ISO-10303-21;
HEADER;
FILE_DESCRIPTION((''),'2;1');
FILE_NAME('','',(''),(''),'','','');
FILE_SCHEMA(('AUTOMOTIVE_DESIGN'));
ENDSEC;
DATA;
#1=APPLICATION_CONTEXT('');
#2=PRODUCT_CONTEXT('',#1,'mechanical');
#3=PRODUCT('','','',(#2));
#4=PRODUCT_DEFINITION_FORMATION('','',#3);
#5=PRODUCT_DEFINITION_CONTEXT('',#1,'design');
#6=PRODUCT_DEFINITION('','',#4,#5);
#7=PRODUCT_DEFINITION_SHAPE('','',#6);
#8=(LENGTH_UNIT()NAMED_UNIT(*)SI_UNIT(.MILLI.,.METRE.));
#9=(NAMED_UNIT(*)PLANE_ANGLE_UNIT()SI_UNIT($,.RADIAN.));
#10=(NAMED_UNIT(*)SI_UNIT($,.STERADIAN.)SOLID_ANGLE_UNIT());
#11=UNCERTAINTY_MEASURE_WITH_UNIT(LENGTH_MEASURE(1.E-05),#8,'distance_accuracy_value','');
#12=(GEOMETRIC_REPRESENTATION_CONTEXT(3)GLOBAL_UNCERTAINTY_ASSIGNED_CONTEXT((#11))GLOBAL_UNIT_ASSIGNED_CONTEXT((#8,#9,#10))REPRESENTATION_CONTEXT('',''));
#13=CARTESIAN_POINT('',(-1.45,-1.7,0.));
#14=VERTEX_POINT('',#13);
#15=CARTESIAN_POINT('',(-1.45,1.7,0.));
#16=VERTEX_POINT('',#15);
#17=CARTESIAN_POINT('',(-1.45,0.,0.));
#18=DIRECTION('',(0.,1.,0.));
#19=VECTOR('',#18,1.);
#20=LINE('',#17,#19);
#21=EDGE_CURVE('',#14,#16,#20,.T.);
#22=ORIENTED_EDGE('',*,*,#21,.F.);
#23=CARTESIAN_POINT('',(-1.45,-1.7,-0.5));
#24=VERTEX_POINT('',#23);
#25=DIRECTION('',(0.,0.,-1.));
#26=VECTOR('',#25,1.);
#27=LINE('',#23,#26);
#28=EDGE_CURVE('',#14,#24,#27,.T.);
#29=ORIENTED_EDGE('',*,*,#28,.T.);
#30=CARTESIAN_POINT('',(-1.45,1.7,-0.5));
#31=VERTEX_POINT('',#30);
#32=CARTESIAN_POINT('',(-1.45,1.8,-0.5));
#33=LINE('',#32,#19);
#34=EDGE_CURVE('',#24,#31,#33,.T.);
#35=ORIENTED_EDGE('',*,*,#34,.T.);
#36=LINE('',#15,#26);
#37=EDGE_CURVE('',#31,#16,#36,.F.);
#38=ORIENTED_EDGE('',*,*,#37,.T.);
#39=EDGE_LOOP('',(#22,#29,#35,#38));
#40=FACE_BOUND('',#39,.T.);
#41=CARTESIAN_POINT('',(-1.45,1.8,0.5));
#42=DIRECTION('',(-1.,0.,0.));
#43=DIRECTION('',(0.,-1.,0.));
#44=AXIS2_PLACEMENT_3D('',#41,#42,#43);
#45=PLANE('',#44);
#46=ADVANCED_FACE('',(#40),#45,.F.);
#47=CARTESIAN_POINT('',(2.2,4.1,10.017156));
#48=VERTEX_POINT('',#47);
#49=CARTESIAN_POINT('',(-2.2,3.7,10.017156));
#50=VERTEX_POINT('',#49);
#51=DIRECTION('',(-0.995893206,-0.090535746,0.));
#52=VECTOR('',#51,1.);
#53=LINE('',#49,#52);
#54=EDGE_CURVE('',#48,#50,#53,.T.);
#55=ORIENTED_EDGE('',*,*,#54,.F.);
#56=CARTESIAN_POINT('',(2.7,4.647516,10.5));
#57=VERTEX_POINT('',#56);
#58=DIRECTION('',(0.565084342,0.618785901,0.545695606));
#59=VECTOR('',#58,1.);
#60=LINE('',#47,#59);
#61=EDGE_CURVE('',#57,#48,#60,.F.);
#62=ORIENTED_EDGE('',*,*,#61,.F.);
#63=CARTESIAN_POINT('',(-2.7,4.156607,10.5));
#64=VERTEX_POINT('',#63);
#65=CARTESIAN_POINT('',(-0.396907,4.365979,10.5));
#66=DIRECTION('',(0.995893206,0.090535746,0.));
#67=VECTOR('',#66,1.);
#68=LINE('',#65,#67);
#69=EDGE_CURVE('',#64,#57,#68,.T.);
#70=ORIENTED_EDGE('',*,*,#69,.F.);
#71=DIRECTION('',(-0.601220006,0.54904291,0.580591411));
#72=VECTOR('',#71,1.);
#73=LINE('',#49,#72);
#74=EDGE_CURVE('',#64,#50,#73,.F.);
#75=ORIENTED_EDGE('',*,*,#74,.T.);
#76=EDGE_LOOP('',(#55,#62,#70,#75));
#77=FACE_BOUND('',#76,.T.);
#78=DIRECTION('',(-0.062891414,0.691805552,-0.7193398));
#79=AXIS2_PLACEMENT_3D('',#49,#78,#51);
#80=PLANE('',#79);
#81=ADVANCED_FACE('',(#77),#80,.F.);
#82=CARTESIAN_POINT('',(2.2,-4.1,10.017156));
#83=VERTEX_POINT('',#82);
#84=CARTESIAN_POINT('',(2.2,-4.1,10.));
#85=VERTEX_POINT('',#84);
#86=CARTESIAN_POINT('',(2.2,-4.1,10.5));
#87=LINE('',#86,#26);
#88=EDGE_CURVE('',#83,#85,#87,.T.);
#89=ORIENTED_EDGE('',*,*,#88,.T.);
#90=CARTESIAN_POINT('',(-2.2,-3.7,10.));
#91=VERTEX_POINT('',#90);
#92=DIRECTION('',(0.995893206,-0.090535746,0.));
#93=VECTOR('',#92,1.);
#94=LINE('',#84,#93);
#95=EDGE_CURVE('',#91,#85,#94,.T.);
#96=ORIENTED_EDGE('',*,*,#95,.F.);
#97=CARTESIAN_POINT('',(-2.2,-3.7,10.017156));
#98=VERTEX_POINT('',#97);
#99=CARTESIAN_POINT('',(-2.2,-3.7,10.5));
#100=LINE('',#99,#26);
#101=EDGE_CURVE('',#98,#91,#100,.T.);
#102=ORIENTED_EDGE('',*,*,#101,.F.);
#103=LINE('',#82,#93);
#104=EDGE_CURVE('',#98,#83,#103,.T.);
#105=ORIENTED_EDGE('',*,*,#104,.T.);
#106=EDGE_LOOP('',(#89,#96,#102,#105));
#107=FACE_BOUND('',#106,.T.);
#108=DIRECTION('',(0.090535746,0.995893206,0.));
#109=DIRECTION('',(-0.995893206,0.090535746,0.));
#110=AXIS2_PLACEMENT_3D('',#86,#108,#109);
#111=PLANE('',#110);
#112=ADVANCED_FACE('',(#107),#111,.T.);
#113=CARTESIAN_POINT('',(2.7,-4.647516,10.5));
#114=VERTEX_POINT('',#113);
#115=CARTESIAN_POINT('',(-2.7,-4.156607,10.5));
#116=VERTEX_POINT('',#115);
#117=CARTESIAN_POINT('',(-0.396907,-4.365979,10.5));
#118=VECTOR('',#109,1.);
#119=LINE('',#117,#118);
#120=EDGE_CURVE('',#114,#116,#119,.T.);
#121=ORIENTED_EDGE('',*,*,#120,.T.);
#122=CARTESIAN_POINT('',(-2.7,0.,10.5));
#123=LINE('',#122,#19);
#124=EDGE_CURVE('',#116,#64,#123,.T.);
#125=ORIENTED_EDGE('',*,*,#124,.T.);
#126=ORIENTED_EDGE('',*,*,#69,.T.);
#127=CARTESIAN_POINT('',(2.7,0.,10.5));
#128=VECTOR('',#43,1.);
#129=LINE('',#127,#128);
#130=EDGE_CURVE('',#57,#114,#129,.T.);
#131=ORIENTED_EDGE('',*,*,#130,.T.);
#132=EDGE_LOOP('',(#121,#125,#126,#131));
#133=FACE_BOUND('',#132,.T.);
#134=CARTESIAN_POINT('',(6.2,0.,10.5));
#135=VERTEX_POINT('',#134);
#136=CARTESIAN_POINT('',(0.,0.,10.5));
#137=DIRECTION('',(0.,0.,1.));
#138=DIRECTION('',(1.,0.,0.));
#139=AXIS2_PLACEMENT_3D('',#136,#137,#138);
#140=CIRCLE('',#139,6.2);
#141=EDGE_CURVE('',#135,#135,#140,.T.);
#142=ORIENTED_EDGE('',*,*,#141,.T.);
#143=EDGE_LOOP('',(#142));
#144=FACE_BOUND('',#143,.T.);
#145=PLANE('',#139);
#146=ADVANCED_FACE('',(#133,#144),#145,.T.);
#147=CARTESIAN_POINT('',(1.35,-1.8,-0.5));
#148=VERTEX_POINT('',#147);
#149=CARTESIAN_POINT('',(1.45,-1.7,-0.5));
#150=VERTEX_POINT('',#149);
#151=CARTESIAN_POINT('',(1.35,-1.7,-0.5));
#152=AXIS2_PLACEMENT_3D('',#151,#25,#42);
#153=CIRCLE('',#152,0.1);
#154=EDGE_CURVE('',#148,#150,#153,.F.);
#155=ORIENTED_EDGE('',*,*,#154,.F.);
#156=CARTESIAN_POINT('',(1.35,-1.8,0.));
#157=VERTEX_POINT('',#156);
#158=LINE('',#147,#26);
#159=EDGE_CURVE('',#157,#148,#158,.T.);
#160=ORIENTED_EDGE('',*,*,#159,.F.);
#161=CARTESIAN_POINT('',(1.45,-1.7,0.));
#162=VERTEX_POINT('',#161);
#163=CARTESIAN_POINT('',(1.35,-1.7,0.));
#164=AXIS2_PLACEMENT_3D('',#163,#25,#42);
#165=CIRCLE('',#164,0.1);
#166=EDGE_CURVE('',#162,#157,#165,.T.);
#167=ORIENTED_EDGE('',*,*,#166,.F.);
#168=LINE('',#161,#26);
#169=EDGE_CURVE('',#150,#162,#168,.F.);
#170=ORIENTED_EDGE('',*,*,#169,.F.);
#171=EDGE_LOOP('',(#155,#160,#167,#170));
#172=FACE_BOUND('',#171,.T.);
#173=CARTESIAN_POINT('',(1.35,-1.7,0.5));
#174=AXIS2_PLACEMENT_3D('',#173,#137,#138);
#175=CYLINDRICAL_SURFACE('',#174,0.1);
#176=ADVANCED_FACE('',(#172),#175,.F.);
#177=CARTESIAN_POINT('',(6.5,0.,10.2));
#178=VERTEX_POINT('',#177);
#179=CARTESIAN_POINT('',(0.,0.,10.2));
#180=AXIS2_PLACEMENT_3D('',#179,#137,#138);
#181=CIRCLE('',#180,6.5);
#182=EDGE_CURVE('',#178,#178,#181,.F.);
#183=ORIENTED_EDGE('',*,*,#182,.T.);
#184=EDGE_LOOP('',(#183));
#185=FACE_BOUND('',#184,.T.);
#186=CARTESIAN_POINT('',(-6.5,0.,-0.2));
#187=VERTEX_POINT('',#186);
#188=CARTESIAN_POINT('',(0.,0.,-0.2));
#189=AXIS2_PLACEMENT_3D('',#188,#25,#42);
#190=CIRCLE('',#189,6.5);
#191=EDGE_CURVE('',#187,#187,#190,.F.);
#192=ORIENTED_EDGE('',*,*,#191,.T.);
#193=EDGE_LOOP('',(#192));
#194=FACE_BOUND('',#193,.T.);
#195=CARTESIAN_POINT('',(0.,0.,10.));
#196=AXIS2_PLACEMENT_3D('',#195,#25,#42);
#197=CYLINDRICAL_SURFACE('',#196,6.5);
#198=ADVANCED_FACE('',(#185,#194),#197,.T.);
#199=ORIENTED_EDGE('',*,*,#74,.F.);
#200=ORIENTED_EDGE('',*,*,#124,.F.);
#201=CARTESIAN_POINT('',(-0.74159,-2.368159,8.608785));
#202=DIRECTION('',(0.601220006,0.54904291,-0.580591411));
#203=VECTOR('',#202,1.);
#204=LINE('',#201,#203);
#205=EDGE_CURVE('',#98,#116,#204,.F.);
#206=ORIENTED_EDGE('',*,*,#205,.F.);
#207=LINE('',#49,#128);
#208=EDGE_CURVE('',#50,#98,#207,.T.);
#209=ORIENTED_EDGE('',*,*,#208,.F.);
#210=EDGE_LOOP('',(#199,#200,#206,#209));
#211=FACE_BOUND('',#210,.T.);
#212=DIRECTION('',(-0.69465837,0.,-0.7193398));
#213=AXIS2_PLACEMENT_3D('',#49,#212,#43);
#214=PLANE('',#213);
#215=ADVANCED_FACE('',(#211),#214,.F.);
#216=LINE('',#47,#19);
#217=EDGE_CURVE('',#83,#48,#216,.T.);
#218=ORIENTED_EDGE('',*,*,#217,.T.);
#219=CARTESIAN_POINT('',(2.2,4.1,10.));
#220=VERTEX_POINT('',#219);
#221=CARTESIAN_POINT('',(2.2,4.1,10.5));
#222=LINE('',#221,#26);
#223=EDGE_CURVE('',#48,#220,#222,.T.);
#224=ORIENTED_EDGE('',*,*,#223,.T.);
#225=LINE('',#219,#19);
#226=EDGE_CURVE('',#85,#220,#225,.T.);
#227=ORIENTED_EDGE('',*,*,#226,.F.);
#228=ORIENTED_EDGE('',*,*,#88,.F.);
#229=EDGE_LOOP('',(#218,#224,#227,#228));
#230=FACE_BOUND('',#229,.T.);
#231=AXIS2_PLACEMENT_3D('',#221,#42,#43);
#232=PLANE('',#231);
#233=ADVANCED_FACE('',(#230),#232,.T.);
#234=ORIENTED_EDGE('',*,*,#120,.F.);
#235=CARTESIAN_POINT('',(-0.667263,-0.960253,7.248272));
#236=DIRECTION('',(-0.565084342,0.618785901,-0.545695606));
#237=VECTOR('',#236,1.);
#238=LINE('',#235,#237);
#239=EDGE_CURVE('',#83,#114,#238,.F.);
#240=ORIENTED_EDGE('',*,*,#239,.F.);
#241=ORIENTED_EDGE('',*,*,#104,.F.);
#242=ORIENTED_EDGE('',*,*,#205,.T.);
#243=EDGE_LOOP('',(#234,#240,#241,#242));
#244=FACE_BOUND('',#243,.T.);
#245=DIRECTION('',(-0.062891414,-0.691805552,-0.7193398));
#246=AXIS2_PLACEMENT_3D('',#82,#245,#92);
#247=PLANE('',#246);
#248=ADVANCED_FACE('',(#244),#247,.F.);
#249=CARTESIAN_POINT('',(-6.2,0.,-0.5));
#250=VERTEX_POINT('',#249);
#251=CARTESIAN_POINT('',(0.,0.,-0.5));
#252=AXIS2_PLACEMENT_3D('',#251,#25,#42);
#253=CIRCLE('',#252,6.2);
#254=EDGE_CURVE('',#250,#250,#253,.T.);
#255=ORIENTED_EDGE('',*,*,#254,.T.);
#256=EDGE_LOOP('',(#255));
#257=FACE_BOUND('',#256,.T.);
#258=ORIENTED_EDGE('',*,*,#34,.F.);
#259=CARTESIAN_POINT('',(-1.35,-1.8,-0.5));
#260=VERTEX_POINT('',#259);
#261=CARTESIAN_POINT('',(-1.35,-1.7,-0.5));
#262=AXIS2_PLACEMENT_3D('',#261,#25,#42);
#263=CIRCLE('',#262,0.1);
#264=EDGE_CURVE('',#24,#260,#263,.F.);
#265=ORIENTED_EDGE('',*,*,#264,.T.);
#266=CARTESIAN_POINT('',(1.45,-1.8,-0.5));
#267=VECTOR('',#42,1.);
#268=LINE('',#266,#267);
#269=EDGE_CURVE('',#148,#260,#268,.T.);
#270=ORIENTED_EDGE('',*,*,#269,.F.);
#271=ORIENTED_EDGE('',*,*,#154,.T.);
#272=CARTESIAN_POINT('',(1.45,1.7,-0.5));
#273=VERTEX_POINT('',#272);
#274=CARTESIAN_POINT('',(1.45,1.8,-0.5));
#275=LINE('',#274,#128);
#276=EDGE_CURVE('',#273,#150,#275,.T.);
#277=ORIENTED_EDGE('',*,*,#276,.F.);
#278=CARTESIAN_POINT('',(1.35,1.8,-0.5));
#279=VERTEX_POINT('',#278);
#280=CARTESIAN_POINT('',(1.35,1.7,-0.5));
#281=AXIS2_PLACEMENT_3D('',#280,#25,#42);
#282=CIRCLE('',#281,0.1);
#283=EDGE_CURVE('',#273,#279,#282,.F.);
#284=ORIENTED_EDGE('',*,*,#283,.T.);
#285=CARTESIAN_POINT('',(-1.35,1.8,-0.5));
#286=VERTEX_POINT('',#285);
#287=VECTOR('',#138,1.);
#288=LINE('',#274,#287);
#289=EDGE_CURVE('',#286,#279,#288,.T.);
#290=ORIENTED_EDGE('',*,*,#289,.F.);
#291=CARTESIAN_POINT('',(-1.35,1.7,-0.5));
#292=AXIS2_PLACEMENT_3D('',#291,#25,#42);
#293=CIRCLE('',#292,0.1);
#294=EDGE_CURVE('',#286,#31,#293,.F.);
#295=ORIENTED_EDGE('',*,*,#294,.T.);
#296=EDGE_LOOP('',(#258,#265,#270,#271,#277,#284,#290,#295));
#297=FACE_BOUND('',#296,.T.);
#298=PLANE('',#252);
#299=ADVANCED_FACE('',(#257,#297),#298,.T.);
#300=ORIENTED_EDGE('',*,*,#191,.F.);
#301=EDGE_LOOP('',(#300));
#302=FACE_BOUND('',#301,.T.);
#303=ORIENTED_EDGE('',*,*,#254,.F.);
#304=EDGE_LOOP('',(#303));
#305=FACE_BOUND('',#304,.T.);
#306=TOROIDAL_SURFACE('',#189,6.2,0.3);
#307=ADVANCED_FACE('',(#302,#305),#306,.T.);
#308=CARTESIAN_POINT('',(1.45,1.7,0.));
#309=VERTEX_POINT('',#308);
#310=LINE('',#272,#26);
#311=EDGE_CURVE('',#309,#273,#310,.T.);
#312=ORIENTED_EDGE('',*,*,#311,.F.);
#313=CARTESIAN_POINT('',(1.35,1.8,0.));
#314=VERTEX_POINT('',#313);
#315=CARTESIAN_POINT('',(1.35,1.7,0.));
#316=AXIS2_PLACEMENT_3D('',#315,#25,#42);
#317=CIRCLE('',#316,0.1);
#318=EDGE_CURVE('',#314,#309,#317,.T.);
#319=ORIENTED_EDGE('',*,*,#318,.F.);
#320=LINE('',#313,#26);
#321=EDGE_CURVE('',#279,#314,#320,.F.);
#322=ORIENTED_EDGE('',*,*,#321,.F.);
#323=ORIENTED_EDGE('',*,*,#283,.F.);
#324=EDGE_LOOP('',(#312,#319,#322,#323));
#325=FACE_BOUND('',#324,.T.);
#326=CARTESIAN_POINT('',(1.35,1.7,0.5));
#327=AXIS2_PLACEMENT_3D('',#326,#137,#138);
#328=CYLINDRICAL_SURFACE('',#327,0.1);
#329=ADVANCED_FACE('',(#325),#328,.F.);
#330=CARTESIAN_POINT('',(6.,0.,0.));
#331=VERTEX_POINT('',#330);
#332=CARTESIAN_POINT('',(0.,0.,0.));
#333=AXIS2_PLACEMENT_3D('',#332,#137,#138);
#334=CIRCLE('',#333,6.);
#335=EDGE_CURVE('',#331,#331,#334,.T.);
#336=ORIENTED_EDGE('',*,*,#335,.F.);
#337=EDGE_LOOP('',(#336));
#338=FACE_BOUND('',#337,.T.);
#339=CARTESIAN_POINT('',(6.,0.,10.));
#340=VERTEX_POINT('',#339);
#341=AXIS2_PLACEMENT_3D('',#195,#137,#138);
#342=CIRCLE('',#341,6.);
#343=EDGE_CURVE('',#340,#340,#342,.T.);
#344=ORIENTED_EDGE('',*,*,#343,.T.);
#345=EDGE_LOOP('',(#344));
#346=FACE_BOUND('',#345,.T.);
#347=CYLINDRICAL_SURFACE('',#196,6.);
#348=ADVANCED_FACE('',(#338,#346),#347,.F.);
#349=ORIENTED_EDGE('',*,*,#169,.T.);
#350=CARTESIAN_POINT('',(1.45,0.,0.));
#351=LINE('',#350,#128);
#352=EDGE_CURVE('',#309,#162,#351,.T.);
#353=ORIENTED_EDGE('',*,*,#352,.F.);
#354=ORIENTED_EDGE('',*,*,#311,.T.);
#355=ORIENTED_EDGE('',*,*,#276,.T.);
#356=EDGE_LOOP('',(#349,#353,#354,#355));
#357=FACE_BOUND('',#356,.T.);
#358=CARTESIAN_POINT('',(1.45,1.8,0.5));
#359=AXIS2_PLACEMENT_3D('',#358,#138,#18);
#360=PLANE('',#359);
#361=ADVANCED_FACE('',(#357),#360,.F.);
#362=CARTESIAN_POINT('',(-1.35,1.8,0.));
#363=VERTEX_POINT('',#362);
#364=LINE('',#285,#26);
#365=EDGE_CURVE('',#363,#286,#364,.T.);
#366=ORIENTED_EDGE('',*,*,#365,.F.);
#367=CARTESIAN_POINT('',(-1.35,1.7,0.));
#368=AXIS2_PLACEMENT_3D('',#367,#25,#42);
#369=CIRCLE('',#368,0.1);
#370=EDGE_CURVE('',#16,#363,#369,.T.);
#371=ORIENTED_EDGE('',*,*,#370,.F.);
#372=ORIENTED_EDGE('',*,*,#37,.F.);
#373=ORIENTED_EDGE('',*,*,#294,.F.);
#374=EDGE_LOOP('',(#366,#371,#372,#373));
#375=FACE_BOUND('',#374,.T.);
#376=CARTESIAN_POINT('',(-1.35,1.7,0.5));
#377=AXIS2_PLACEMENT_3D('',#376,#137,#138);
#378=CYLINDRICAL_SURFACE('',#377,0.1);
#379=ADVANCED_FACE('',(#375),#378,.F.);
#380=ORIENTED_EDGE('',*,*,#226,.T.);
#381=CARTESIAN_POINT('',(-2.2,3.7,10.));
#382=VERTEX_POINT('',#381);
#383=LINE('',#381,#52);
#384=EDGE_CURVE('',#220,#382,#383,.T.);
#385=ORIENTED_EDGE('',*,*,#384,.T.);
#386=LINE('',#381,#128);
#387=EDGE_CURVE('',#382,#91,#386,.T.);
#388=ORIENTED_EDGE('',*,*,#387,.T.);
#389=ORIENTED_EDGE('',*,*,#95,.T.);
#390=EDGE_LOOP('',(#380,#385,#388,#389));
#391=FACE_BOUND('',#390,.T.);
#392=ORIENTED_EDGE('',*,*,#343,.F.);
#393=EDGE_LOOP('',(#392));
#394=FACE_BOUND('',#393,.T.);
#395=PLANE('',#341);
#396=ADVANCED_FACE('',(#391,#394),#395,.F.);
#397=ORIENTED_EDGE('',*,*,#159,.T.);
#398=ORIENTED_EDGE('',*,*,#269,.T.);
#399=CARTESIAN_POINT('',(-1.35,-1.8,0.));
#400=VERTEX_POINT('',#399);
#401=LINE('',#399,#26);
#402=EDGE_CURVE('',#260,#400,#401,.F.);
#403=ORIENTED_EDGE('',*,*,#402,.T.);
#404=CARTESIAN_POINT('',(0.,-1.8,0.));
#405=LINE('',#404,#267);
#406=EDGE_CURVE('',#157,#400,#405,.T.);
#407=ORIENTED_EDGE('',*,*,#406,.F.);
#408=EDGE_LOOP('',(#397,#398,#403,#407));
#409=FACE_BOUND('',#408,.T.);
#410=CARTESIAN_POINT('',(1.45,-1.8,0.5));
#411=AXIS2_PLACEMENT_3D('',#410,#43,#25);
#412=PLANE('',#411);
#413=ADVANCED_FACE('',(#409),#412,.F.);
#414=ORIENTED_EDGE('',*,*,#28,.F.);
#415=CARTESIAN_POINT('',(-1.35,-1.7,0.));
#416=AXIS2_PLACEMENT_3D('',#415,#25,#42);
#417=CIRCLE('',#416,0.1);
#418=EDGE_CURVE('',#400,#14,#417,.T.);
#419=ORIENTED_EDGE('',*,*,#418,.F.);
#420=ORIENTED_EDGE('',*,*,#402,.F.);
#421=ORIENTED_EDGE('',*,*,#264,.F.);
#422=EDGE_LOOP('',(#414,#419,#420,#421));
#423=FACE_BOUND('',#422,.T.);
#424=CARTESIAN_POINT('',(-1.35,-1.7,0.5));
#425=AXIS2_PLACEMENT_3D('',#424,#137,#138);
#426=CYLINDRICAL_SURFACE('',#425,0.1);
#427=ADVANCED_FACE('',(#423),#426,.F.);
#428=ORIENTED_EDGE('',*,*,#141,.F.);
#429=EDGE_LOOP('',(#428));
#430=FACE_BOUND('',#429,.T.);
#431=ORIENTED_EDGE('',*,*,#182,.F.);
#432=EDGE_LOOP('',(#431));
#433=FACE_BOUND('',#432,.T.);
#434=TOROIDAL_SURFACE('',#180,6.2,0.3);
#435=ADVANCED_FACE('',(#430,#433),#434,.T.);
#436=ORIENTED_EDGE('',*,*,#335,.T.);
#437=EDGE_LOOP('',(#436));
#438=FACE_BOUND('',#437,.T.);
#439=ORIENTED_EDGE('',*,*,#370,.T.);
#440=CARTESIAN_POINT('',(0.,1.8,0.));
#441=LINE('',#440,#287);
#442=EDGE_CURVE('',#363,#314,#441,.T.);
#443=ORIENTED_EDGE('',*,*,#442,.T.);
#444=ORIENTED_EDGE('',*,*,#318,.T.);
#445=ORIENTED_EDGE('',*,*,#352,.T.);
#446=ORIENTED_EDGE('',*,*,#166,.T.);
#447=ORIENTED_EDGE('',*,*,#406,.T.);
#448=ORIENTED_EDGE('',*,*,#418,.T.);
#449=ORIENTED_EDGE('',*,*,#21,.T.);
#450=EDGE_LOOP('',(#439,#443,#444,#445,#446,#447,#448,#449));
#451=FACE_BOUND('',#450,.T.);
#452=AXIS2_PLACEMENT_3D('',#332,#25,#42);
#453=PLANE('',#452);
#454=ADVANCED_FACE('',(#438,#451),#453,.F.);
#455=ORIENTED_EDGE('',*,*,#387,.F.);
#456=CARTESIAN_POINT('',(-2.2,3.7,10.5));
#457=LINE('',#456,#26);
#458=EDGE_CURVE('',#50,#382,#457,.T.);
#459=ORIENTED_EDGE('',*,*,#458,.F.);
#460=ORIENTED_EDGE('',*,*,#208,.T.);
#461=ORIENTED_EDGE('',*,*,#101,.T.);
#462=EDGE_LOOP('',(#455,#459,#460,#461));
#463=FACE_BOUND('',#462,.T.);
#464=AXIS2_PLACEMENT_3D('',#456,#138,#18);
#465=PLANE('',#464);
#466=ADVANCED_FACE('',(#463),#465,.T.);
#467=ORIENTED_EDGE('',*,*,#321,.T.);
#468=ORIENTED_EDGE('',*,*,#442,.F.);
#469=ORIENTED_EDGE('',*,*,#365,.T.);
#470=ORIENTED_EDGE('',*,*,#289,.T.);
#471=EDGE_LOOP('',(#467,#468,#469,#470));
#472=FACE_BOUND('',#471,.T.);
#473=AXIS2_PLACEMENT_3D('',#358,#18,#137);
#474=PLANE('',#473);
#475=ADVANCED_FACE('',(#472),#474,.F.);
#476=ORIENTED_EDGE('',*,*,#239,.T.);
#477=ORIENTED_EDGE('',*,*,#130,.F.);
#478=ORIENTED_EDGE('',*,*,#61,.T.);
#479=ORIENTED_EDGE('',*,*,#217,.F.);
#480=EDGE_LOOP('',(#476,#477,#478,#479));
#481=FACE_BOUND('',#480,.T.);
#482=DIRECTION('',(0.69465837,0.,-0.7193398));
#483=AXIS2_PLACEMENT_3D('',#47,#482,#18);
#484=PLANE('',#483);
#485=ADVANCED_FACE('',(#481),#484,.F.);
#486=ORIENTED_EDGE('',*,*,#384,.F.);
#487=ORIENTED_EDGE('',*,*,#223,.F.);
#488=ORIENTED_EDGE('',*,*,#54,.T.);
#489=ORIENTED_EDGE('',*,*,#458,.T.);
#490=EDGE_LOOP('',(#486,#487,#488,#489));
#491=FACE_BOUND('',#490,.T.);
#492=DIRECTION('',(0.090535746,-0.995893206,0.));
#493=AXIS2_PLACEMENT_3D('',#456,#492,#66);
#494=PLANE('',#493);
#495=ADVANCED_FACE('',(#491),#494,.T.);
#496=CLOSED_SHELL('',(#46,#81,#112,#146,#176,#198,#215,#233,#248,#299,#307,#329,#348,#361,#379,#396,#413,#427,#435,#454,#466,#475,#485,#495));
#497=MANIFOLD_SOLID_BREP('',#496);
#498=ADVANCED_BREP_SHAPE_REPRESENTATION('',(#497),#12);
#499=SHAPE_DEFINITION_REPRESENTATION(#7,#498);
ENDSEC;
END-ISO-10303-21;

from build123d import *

# Parameters (mm, degrees)
SKETCH1_R           = 6.5
SKETCH1_R_2         = 6
BOSS_EXTRUDE1_DEPTH = 10
BOSS_EXTRUDE2_START = 0.5
SKETCH2_R           = 6.5
BOSS_EXTRUDE2_DEPTH = 0.5
SKETCH3_R           = 6.5
BOSS_EXTRUDE3_DEPTH = 0.5
CHAMFER1_SIZE       = 0.5
CHAMFER1_SIZE2      = 0.482844387
SKETCH4_W           = 2.9
SKETCH4_H           = 3.6
CUT_EXTRUDE1_DEPTH  = 1
FILLET1_R           = 0.1
FILLET2_R           = 0.3


with BuildPart() as part:
    # Sketch1 → Boss-Extrude1 (new body)
    with BuildSketch(Plane.XY):
        Circle(SKETCH1_R)
        Circle(SKETCH1_R_2, mode=Mode.SUBTRACT)
    extrude(amount=BOSS_EXTRUDE1_DEPTH)

    # Sketch2 → Boss-Extrude2 (add)
    with BuildSketch(Plane(origin=(0, 0, 0), x_dir=(-1, 0, 0), z_dir=(0, 0, -1)).offset(BOSS_EXTRUDE2_START)):
        Circle(SKETCH2_R)
    extrude(amount=-BOSS_EXTRUDE2_DEPTH)

    # Sketch3 → Boss-Extrude3 (add)
    with BuildSketch(Plane.XY.offset(10)):
        with Locations(Location((0, 0, 0), (0, 0, 180))):
            Circle(SKETCH3_R)
        Polygon((-2.2, 3.7), (-2.2, -3.7), (2.2, -4.1), (2.2, 4.1), align=None, mode=Mode.SUBTRACT)
    extrude(amount=BOSS_EXTRUDE3_DEPTH)

    # Chamfer1
    chamfer1_edges = [part.edges().sort_by_distance(p)[0] for p in [
        (0, -3.9, 10.5),
        (2.2, 0, 10.5),
        (0, 3.9, 10.5),
        (-2.2, 0, 10.5),
    ]]
    chamfer1_side = [part.faces().sort_by_distance(p)[0] for p in [
        (6.316152237, 0, 10.5),
    ]]
    chamfer(chamfer1_edges, length=CHAMFER1_SIZE, length2=CHAMFER1_SIZE2, reference=chamfer1_side[0])

    # Sketch4 → Cut-Extrude1 (cut)
    with BuildSketch(Plane(origin=(0, 0, -0.5), x_dir=(-1, 0, 0), z_dir=(0, 0, -1))):
        Rectangle(SKETCH4_W, SKETCH4_H)
    extrude(amount=-CUT_EXTRUDE1_DEPTH, mode=Mode.SUBTRACT)

    # Fillet1
    fillet1_edges = [part.edges().sort_by_distance(p)[0] for p in [
        (-1.45, 1.8, -0.25),
        (-1.45, -1.8, -0.25),
        (1.45, -1.8, -0.25),
        (1.45, 1.8, -0.25),
    ]]
    fillet(fillet1_edges, radius=FILLET1_R)

    # Fillet2
    fillet2_edges = [part.edges().sort_by_distance(p)[0] for p in [
        (6.5, 0, -0.5),
        (6.5, 0, 10.5),
    ]]
    fillet(fillet2_edges, radius=FILLET2_R)


solid = part.part
